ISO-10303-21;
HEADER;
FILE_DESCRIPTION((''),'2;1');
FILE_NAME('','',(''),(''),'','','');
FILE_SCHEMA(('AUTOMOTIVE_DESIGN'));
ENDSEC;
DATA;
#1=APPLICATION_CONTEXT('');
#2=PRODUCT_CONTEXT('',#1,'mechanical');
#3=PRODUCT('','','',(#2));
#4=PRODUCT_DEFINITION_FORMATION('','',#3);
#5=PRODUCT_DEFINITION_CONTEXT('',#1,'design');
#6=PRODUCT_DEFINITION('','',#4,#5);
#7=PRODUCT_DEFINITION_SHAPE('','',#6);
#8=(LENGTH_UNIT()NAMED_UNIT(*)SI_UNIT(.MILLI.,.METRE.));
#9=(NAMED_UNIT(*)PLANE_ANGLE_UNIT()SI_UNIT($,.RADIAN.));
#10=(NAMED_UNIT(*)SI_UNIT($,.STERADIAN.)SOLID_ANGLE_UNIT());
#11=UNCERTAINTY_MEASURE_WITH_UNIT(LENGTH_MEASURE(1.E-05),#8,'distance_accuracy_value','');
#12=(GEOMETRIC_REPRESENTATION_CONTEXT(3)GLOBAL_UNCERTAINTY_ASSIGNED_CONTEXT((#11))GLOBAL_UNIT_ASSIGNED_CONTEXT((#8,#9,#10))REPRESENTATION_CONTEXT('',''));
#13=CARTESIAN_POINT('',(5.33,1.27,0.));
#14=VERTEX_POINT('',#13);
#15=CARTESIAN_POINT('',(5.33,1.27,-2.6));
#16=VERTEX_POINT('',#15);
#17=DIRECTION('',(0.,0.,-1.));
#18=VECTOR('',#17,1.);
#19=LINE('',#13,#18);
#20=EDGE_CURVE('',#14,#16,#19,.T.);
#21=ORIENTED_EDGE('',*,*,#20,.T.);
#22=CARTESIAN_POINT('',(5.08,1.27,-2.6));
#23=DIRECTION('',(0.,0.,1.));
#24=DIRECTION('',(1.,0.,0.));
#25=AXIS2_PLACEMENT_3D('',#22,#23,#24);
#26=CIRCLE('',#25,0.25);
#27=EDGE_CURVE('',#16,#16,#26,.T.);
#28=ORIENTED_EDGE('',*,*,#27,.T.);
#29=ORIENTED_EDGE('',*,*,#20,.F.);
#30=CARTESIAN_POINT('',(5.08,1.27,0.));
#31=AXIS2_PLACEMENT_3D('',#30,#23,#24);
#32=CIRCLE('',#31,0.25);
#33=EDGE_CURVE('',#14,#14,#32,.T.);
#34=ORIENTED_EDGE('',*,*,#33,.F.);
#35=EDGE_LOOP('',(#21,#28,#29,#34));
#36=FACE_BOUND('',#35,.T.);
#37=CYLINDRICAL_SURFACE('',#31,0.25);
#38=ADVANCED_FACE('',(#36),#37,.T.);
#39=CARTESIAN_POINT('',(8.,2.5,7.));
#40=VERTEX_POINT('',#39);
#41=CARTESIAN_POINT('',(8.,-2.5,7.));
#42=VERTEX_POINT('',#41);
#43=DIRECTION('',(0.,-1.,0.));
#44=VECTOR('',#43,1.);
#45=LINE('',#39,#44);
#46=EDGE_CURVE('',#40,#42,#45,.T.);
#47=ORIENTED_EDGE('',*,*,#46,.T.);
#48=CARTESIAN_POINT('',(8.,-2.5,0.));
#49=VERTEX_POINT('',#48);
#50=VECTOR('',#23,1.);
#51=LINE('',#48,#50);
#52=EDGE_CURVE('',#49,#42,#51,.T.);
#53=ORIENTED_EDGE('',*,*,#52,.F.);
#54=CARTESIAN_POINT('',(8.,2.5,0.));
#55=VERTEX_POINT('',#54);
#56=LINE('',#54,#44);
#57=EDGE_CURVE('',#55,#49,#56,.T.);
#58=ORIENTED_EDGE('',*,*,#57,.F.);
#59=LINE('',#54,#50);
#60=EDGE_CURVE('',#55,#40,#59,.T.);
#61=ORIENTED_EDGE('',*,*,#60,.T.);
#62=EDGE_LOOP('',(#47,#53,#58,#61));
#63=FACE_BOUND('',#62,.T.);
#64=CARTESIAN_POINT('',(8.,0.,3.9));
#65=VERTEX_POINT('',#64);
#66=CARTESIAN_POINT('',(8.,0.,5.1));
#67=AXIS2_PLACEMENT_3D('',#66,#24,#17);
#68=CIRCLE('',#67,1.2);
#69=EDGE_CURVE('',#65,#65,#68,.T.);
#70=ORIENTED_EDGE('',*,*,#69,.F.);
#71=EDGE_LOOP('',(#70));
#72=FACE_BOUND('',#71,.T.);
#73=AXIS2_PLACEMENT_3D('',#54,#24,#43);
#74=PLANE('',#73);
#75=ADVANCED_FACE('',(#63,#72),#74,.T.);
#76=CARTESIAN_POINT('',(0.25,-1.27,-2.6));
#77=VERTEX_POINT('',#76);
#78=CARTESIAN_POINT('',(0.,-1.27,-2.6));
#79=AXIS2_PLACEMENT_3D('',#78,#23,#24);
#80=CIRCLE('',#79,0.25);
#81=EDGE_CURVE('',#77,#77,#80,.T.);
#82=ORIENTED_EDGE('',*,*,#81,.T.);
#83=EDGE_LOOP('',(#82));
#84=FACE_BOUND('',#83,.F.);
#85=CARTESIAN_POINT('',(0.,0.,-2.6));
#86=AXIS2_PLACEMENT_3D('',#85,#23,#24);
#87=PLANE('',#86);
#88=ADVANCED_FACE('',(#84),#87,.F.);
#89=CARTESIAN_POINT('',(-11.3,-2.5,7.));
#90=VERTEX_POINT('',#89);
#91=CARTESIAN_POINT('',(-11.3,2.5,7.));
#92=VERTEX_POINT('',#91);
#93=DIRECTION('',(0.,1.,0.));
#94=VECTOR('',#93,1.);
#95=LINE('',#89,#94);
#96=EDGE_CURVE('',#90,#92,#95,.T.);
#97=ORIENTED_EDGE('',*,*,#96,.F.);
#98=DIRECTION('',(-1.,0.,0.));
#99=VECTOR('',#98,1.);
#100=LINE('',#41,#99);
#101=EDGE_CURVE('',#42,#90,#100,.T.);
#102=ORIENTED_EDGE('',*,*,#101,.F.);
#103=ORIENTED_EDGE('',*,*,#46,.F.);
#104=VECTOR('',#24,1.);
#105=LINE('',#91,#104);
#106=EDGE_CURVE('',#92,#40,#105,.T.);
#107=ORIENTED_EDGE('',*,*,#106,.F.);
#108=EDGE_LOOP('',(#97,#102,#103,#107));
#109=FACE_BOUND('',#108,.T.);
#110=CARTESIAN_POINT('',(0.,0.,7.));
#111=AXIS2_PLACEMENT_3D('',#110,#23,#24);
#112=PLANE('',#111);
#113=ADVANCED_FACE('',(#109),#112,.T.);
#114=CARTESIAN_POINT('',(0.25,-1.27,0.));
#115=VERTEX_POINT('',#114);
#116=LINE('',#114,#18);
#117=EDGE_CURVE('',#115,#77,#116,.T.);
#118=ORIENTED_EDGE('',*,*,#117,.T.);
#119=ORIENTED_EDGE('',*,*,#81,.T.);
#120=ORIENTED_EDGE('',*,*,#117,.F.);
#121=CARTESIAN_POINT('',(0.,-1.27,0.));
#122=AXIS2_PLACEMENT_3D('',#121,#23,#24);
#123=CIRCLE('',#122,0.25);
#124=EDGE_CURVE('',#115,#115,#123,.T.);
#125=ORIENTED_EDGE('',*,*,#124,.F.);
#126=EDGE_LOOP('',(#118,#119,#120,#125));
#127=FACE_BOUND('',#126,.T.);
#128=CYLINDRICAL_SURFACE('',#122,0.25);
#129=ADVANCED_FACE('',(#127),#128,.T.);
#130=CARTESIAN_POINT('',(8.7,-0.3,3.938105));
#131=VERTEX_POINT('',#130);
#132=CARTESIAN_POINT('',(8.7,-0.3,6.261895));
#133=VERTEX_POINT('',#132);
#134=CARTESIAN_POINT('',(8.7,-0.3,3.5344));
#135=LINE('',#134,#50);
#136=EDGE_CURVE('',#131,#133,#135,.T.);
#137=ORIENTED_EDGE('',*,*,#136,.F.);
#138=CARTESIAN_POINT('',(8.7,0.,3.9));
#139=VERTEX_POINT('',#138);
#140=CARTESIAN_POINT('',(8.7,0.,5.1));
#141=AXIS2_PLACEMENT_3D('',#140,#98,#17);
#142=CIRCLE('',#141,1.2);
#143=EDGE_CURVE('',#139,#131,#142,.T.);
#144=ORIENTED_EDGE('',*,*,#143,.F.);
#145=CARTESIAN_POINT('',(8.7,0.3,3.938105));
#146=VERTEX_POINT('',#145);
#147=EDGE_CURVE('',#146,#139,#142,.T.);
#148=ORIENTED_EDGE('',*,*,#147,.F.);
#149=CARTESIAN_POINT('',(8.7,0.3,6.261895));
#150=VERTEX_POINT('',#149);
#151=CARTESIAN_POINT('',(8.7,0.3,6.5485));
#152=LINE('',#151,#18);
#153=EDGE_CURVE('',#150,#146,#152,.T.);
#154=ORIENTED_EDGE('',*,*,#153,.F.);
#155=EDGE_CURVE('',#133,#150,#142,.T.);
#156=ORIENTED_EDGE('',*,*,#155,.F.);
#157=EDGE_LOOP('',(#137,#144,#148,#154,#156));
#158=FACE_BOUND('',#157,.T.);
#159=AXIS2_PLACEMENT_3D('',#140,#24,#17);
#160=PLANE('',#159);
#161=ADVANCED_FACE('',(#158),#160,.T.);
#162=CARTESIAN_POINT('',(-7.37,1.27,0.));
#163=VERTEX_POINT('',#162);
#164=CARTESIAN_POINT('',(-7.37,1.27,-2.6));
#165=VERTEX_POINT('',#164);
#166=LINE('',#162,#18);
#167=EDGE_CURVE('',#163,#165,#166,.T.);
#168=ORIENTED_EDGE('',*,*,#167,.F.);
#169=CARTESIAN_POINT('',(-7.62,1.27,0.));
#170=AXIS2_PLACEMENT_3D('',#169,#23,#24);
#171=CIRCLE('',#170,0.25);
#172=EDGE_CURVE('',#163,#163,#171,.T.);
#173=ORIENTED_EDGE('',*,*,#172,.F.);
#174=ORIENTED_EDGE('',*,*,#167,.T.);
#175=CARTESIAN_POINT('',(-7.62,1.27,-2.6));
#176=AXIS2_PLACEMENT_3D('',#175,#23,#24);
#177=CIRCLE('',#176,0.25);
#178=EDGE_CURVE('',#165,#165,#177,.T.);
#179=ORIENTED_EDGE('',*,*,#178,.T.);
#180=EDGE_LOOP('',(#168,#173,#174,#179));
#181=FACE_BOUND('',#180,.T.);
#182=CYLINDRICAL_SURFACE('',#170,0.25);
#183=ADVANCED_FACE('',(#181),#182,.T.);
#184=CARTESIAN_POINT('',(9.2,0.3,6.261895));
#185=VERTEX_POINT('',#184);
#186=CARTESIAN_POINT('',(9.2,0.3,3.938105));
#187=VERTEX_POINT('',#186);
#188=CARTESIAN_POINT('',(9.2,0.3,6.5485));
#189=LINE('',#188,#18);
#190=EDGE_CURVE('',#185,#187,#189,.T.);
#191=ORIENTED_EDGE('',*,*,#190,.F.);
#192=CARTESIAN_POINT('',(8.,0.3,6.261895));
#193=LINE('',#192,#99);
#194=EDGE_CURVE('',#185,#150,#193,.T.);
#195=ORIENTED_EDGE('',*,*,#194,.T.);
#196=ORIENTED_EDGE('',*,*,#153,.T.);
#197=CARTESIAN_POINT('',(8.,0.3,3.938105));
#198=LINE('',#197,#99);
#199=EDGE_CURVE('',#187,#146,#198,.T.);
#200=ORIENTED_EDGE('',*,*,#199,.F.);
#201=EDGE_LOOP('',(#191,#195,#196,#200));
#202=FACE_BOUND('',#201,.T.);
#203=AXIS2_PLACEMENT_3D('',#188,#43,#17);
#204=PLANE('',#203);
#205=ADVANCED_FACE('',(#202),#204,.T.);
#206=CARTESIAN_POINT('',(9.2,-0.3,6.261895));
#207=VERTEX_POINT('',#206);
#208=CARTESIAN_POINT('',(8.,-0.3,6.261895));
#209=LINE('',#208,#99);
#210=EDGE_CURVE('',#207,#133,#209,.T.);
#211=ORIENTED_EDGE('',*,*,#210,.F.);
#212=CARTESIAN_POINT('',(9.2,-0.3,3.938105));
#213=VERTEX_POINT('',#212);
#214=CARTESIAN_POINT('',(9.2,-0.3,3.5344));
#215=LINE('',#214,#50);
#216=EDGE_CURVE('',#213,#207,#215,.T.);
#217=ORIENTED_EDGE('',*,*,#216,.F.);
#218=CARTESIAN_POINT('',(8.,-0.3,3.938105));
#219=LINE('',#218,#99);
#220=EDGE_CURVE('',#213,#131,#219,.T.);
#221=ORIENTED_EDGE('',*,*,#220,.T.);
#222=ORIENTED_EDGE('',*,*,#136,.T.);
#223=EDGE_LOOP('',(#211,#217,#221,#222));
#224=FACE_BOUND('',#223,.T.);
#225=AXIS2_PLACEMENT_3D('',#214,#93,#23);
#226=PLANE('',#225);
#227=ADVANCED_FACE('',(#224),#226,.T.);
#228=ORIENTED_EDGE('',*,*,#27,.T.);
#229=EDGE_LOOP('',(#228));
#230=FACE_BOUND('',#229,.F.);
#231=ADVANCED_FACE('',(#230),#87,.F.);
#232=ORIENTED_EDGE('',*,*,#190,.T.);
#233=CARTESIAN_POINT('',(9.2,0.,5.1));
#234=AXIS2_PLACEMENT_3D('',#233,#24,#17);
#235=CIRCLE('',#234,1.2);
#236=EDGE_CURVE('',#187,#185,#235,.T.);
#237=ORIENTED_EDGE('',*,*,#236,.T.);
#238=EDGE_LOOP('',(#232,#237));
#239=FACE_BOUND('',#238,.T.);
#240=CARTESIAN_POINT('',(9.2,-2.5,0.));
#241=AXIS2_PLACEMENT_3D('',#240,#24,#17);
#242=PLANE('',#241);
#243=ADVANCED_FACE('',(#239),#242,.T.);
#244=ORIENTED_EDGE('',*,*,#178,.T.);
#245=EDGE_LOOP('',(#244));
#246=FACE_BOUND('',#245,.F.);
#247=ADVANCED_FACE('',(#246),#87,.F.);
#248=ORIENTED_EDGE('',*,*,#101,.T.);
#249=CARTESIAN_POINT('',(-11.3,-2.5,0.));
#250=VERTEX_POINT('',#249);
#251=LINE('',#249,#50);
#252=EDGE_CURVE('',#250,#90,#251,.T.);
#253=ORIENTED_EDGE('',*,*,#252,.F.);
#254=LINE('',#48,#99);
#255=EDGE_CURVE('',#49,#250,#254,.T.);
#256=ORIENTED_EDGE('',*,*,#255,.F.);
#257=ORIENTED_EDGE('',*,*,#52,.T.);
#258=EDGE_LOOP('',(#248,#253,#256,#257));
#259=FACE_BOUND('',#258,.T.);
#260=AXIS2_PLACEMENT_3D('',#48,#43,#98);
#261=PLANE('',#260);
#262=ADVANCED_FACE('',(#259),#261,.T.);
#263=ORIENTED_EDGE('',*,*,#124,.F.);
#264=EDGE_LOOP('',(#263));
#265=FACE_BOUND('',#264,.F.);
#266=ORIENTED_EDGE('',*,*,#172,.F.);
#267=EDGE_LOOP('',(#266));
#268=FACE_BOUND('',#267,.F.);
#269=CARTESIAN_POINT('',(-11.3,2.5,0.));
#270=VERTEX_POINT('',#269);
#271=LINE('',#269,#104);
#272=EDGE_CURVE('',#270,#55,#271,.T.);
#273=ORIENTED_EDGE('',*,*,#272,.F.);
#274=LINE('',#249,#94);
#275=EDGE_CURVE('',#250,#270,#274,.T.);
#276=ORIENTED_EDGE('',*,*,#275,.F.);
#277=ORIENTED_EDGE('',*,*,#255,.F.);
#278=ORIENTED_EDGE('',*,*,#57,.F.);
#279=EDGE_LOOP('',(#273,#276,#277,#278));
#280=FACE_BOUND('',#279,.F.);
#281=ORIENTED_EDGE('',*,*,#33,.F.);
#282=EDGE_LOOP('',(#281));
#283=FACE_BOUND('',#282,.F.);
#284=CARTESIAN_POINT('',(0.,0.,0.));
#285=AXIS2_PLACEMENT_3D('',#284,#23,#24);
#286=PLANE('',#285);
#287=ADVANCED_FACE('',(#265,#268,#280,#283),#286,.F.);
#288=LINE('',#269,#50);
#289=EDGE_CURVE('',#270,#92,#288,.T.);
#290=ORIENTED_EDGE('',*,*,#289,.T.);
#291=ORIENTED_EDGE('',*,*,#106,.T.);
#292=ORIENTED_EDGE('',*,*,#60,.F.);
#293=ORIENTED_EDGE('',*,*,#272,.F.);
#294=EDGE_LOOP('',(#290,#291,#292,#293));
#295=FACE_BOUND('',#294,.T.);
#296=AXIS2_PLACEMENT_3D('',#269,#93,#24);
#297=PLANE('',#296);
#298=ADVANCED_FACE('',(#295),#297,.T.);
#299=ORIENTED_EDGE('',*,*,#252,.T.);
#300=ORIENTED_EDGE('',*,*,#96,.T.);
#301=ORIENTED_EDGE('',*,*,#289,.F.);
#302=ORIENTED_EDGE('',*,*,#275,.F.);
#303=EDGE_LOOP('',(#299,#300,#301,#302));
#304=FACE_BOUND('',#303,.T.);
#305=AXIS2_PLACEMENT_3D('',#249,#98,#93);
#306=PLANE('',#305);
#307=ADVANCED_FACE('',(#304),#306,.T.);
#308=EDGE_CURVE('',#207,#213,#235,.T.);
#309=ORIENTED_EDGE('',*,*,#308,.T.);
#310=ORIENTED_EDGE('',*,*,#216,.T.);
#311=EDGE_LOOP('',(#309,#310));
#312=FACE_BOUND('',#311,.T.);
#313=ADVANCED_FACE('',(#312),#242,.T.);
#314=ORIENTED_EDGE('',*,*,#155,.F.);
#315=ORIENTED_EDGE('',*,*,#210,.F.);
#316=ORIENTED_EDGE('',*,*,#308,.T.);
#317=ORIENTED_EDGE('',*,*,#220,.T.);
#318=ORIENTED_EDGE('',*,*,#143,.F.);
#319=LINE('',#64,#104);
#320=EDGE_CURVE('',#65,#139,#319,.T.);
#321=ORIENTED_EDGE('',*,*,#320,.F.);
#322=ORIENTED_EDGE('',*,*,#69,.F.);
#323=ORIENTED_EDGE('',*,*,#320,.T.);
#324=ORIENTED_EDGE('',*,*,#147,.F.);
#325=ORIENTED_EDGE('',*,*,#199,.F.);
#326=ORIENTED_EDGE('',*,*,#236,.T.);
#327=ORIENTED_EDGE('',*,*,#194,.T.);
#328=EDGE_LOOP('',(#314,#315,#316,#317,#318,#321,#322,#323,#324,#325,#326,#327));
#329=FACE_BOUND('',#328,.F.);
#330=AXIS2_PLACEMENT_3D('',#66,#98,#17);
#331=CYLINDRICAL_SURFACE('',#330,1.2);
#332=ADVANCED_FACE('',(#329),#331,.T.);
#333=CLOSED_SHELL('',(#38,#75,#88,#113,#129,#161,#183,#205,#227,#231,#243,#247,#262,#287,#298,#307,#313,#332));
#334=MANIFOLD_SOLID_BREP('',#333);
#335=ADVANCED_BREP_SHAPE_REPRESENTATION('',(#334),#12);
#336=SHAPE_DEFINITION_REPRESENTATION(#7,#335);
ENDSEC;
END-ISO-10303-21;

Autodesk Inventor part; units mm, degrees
ref_plane "YZ Plane" through (0, 0, 0) normal (1, 0, 0) x (0, 1, 0)
ref_plane "XZ Plane" through (0, 0, 0) normal (0, 1, 0) x (-1, 0, 0)
ref_plane "XY Plane" through (0, 0, 0) normal (0, 0, 1) x (1, 0, 0)
sketch "Boceto39" plane through (0, 0, 0) normal (0, 0, 1) x (1, 0, 0)
  circle A0 centre (0, -1.27) radius 0.25
  circle A1 centre (5.08, 1.27) radius 0.25
  circle A2 centre (-7.62, 1.27) radius 0.25
  point P0 (0, 0)
  dimension "d373" = 0.5
  dimension "d376" = 12.7
  dimension "d377" = 5.08
  dimension "d392" = 1.27
  dimension "d393" = 2.54
extrude "Extrusión13" add sketch "Boceto39" against normal blind 2.6
sketch "Boceto40" plane through (0, 0, 0) normal (0, 0, 1) x (1, 0, 0)
  line L0 (-11.3, 2.5) -> (8, 2.5)
  line L1 (8, 2.5) -> (8, -2.5)
  line L2 (8, -2.5) -> (-11.3, -2.5)
  line L3 (-11.3, -2.5) -> (-11.3, 2.5)
  point P0 (0, 0)
  point P1 (8, 0)
  dimension "d380" = 5
  dimension "d381" = 19.3
  dimension "d382" = 8
extrude "Extrusión14" add sketch "Boceto40" along normal blind 7
sketch "Boceto41" plane through (8, -2.5, 0) normal (1, 0, 0) x (0, 0, -1)
  circle A0 centre (-5.1, 2.5) radius 1.2
  line L0 (-7, 0) -> (-7, 5) projected
  line L1 (0, 5) -> (0, 0) projected
  point P0 (0, 2.5)
  point P1 (0, 2.5)
  dimension "d385" = 2.4
  dimension "d386" = 1.9
extrude "Extrusión15" add sketch "Boceto41" along normal blind 1.2
sketch "Boceto42" plane through (9.2, 0, 5.1) normal (1, 0, 0) x (0, 0, -1)
  line L0 (-1.4485, 0.3) -> (1.5656, 0.3)
  line L1 (1.5656, 0.3) -> (1.5656, -0.3)
  line L2 (1.5656, -0.3) -> (-1.4485, -0.3)
  line L3 (-1.4485, -0.3) -> (-1.4485, 0.3)
  point P0 (5.1, 0)
  point P1 (1.5656, 0)
  dimension "d389" = 0.6
extrude "Extrusión16" cut sketch "Boceto42" against normal blind 0.5
properties part number "RES-PRESET-3006P"
